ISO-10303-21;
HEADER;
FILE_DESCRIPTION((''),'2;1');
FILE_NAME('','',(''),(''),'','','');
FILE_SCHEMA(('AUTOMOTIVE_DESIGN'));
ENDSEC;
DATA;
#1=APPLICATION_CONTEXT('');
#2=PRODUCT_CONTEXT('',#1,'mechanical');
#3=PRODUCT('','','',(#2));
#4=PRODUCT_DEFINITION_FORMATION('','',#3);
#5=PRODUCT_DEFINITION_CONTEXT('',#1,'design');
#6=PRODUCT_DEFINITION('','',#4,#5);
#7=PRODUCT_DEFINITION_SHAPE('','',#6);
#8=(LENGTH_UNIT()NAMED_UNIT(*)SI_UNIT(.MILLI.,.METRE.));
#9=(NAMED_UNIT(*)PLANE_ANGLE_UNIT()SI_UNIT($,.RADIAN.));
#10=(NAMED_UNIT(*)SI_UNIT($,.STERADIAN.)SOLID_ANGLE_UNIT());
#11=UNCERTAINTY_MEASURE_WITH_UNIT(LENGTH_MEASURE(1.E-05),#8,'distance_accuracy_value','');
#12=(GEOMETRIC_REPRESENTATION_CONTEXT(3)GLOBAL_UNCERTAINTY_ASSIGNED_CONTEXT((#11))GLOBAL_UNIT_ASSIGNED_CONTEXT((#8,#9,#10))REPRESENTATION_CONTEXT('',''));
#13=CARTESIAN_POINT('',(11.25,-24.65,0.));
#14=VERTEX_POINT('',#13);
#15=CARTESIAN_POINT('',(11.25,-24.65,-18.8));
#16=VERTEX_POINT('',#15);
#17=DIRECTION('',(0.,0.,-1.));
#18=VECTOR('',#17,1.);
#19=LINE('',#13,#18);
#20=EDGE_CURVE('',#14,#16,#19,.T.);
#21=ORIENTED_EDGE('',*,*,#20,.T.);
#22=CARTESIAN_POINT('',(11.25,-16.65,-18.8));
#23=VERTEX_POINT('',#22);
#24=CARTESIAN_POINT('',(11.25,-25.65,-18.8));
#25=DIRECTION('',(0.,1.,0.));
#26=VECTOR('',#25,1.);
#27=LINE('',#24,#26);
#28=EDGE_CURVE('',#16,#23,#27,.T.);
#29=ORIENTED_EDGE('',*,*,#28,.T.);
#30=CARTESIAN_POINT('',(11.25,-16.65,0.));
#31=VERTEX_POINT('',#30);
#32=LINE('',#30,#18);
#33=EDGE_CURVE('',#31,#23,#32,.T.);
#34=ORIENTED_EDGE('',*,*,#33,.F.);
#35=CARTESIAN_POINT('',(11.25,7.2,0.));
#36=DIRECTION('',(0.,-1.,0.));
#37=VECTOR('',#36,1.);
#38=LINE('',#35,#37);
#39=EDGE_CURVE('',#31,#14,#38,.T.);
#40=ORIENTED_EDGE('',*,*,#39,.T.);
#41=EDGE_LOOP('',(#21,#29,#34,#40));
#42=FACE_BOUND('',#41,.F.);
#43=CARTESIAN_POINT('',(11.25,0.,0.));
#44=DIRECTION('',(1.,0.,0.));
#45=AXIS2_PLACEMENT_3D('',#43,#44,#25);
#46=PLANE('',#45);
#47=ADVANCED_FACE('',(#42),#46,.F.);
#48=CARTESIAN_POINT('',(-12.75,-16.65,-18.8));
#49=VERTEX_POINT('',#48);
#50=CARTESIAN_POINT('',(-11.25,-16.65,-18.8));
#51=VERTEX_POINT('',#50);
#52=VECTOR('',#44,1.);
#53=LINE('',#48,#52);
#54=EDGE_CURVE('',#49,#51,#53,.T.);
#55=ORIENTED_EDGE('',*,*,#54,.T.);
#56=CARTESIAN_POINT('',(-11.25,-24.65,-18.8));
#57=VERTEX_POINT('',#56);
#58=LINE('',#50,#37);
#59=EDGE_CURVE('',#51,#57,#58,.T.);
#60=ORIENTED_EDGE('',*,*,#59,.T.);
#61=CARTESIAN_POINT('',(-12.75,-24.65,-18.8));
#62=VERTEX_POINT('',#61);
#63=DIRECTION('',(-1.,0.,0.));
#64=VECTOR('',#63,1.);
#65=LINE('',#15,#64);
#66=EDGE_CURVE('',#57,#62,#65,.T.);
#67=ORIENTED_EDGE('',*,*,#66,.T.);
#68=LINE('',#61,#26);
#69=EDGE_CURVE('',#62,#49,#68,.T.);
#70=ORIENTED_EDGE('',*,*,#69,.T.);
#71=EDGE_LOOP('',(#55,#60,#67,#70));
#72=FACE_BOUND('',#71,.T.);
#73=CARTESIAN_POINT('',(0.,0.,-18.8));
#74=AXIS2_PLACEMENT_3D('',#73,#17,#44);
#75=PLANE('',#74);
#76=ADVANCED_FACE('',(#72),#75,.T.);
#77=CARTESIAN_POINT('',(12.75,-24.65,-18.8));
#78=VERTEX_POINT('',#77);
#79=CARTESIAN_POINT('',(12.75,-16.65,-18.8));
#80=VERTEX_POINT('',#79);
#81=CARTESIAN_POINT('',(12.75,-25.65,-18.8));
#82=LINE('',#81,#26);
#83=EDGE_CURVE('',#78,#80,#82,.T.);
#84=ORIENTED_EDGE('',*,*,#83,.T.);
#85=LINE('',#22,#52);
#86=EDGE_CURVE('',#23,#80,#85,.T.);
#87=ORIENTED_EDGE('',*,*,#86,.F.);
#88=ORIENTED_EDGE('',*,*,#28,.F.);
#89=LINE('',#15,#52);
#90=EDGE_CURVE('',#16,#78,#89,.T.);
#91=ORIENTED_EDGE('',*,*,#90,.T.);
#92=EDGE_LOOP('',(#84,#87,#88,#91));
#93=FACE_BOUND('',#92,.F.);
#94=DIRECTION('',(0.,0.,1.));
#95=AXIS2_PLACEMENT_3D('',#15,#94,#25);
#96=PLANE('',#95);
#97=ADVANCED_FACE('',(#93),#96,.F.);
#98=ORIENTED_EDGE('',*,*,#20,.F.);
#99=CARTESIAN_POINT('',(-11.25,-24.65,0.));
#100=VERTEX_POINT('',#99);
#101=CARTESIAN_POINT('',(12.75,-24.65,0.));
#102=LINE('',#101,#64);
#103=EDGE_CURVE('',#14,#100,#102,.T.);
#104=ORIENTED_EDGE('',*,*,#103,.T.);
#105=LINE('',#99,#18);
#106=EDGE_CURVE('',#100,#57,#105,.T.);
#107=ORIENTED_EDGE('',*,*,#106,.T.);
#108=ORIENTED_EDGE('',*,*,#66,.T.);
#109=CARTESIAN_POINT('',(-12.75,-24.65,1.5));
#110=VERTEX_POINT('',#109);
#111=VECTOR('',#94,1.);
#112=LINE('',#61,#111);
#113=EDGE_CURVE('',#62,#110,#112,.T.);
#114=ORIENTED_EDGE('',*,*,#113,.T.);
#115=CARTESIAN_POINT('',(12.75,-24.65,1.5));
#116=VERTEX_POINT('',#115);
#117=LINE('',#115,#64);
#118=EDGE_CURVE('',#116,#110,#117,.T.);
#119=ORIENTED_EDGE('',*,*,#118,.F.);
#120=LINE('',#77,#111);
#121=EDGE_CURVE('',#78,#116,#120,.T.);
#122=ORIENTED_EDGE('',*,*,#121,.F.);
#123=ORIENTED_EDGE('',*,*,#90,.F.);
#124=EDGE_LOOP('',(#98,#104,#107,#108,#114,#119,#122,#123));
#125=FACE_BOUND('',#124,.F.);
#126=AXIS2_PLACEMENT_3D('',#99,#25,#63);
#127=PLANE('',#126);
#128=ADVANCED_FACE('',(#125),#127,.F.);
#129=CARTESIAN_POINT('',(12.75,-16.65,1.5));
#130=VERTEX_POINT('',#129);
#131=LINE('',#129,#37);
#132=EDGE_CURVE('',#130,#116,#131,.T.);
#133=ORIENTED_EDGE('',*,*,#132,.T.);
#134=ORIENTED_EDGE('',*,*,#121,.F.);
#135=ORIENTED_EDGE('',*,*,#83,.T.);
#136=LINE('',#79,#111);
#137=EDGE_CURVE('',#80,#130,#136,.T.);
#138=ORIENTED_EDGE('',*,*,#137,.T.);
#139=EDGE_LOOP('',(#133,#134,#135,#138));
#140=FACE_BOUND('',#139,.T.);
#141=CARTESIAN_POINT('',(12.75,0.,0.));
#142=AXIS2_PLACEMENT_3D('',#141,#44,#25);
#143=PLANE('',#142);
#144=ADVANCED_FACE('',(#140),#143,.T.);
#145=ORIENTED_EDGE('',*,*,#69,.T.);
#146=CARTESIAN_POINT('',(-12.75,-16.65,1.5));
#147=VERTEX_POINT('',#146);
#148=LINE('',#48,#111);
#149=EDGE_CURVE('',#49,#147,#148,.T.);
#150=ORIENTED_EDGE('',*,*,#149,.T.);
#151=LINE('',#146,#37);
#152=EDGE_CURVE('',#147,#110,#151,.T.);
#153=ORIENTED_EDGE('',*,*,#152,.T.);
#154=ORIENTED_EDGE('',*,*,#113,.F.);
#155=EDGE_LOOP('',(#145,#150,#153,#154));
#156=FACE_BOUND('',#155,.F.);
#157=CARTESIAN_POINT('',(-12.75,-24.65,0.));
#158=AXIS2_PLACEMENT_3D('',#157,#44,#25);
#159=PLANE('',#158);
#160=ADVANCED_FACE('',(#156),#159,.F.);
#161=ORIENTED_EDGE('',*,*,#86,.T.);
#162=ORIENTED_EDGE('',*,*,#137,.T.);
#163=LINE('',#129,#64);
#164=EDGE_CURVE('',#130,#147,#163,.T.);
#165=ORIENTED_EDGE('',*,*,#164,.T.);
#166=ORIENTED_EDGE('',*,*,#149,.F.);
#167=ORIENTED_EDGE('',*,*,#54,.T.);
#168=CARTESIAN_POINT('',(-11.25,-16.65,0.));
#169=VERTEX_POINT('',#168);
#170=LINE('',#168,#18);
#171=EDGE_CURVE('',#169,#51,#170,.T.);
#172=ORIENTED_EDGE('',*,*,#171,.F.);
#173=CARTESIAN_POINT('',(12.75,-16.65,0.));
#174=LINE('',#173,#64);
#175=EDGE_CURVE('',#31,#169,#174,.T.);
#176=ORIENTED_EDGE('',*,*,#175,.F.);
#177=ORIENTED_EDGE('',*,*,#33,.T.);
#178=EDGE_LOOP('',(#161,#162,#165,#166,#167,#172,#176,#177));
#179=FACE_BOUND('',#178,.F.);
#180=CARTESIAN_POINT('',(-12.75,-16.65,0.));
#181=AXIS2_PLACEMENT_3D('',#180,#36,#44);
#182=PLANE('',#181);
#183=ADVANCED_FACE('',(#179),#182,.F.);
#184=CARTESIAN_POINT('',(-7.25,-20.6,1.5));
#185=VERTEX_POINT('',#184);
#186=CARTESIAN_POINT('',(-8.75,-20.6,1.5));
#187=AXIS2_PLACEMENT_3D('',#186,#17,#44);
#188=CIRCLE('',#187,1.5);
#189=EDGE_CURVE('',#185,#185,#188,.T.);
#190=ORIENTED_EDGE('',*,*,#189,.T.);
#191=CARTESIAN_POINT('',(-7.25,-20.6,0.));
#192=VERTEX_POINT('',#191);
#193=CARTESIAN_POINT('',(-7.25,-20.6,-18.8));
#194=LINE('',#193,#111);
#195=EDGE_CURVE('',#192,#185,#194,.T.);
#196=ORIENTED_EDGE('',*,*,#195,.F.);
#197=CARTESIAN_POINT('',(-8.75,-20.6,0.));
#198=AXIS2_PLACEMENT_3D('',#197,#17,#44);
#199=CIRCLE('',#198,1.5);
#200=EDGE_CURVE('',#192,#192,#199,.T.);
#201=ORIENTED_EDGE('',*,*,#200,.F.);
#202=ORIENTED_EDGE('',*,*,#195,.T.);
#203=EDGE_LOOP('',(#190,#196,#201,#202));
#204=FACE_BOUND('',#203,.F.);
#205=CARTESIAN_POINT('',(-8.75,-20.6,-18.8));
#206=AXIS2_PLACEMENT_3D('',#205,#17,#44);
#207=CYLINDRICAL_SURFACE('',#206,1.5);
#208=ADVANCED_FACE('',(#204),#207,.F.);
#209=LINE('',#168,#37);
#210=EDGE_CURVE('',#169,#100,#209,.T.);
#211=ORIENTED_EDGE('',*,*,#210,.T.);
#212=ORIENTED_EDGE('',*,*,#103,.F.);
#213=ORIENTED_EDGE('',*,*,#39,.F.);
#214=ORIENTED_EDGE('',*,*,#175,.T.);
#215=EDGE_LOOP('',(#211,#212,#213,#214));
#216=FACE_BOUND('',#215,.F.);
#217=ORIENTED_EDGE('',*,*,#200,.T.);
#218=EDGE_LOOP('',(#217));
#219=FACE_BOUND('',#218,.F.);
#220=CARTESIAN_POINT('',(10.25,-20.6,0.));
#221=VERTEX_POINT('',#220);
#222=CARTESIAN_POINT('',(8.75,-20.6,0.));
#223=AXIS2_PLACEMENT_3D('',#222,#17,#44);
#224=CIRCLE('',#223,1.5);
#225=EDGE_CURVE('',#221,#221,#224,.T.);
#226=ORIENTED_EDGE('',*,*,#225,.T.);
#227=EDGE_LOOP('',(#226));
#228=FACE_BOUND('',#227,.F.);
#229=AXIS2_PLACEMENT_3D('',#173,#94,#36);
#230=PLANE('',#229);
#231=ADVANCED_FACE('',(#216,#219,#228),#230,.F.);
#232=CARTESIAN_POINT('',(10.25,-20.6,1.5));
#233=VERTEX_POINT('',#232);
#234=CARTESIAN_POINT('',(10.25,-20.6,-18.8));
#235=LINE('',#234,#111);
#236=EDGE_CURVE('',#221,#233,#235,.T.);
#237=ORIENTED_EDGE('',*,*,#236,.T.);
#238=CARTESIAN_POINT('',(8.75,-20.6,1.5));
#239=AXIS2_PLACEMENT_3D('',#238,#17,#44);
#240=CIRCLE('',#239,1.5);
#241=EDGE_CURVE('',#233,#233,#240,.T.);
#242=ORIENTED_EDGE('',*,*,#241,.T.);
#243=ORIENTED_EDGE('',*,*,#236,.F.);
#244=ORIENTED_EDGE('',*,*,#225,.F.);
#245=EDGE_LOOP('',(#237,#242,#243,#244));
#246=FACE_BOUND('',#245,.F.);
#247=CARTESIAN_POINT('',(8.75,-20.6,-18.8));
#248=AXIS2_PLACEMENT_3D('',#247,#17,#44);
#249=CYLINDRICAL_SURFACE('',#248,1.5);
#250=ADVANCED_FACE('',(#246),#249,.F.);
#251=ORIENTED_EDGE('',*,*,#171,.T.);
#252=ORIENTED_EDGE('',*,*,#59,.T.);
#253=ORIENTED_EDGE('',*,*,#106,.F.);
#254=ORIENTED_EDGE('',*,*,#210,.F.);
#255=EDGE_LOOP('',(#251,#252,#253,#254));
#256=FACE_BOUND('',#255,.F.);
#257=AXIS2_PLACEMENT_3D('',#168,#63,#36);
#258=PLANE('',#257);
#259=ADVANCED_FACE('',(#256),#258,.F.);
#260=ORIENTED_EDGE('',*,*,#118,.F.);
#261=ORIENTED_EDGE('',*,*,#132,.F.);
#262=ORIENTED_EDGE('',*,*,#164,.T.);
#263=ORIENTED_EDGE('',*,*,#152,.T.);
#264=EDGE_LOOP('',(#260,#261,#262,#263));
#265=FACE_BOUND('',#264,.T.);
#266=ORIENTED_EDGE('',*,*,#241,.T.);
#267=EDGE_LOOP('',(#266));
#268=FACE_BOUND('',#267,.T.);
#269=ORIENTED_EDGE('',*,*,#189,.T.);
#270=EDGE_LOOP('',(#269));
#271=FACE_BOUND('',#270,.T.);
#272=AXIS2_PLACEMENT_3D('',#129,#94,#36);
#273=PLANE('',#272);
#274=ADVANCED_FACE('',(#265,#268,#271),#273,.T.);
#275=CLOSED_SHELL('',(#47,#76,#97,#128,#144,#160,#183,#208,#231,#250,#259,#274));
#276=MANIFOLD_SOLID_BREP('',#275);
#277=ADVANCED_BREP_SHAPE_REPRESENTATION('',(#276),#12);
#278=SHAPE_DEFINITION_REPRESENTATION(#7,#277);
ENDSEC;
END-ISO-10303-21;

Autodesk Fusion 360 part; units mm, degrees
sketch "Boceto5" plane through (-11.25, 0, 0) normal (-1, 0, 0) x (0, -1, 0)
sketch "Boceto8" plane through (12.75, 0, 0) normal (1, 0, 0) x (0, 1, 0)
  line L0 (-15.65, 0) -> (-25.65, 0)
  line L1 (-25.65, 0) -> (-25.65, -18.8)
  line L2 (-25.65, -18.8) -> (-15.65, -18.8)
  line L3 (-15.65, -18.8) -> (-15.65, 0)
  line L4 (-25.65, 0) -> (-25.65, 1.5)
  line L5 (-25.65, 1.5) -> (-15.65, 1.5)
  line L6 (-15.65, 1.5) -> (-15.65, 0)
  dimension "d15" = 1.5
sketch "Boceto10" plane through (0, -25.65, 0) normal (0, -1, 0) x (1, 0, 0)
  line L0 (12.75, 0) -> (12.75, 1.5)
  line L1 (12.75, 1.5) -> (-12.75, 1.5)
  line L2 (-12.75, 1.5) -> (-12.75, 0)
  line L3 (-12.75, 0) -> (12.75, 0)
  line L4 (-12.75, 0) -> (-12.75, 1.5)
  line L5 (12.75, 1.5) -> (-12.75, 1.5)
  line L6 (12.75, 1.5) -> (12.75, 0)
  line L7 (11.25, -18.8) -> (12.75, 0)
  line L8 (11.25, -18.8) -> (12.75, 0)
  line L9 (-12.75, 0) -> (12.75, 0)
  line L10 (-11.25, -18.8) -> (-12.75, 0)
  line L11 (-11.25, -18.8) -> (-12.75, 0)
sketch "Boceto11" plane through (11.25, 0, 0) normal (1, 0, 0) x (0, 1, 0)
  line L0 (-25.65, -10.05) -> (-25.65, -18.8)
  line L1 (-25.65, -18.8) -> (7.2, -18.8)
  line L2 (7.2, -18.8) -> (7.2, 0)
  line L3 (7.2, 0) -> (-25.65, 0)
  line L4 (-25.65, 0) -> (-25.65, -10.05)
  line L5 (-24.65, 0) -> (-16.65, 0)
  line L6 (-24.65, 0) -> (-24.65, -18.8)
  line L7 (-16.65, 0) -> (-16.65, -18.8)
  dimension "d22" = 1
  dimension "d23" = 8
extrude "Extruir7" add sketch "Boceto11" along normal blind 1.5 contours L1 L3 L5 L6 L7
sketch "Boceto12" plane through (12.75, 0, 0) normal (1, 0, 0) x (0, 1, 0)
  line L0 (-24.65, 0) -> (-24.65, -18.8)
  line L1 (-24.65, -18.8) -> (-16.65, -18.8)
  line L2 (-16.65, -18.8) -> (-16.65, 0)
  line L3 (-16.65, 0) -> (-24.65, 0)
  line L4 (-24.65, 0) -> (-24.65, 1.5)
  line L5 (-16.65, 0) -> (-16.65, 1.5)
  line L6 (-16.65, 1.5) -> (-24.65, 1.5)
  dimension "d26" = 1.5
  dimension "d27" = 1.5
extrude "Extruir8" add sketch "Boceto12" against normal blind 25.5 contours L3 L4 L5 L6
sketch "Boceto13" plane through (0, 0, 0) normal (0, 0, -1) x (1, 0, 0)
  line L0 (11.25, 16.65) -> (11.25, 24.65)
  line L1 (11.25, 24.65) -> (-12.75, 24.65)
  line L2 (-12.75, 24.65) -> (-12.75, 16.65)
  line L3 (-12.75, 16.65) -> (11.25, 16.65)
  line L4 (-12.75, 24.65) -> (-11.25, 24.65)
  line L5 (-12.75, 24.65) -> (-12.75, 16.65)
  line L6 (-12.75, 16.65) -> (-11.25, 16.65)
  line L7 (-11.25, 16.65) -> (-11.25, 24.65)
  dimension "d30" = 1.5
  dimension "d31" = 1.5
extrude "Extruir9" add sketch "Boceto13" along normal blind 18.8 contours L1 L2 L3 L4 L5 L6 L7
sketch "Boceto14" plane through (0, 0, -18.8) normal (0, 0, -1) x (1, 0, 0)
  line L0 (-7.25, -11.2) -> (7.25, -11.2)
  arc A0 (7.25, -11.2) -> (11.25, -7.2) centre (7.25, -7.2) ccw
  line L1 (11.25, -7.2) -> (11.25, 25.65)
  line L2 (11.25, 25.65) -> (7.0711, 25.65)
  line L3 (7.0711, 25.65) -> (7.0711, 37.15)
  line L4 (7.0711, 37.15) -> (-7.0711, 37.15)
  line L5 (-7.0711, 37.15) -> (-7.0711, 25.65)
  line L6 (-7.0711, 25.65) -> (-11.25, 25.65)
  line L7 (-11.25, 25.65) -> (-11.25, -7.2)
  arc A1 (-11.25, -7.2) -> (-7.25, -11.2) centre (-7.25, -7.2) ccw
  circle A2 centre (8.75, 20.6) radius 1.5
  circle A3 centre (-8.75, 20.6) radius 1.5
  circle A4 centre (0, 0) radius 2.7
  line L8 (-2.5, 31.15) -> (-2.5, 32.8199)
  line L9 (-2.5, 32.8199) -> (2.5, 32.8199)
  line L10 (2.5, 32.8199) -> (2.5, 31.15)
  line L11 (2.5, 31.15) -> (-2.5, 31.15)
  circle A5 centre (8.75, 20.6) radius 1.5
extrude "Extruir10" cut sketch "Boceto14" against normal blind 25 contours A2 A5 | A3
